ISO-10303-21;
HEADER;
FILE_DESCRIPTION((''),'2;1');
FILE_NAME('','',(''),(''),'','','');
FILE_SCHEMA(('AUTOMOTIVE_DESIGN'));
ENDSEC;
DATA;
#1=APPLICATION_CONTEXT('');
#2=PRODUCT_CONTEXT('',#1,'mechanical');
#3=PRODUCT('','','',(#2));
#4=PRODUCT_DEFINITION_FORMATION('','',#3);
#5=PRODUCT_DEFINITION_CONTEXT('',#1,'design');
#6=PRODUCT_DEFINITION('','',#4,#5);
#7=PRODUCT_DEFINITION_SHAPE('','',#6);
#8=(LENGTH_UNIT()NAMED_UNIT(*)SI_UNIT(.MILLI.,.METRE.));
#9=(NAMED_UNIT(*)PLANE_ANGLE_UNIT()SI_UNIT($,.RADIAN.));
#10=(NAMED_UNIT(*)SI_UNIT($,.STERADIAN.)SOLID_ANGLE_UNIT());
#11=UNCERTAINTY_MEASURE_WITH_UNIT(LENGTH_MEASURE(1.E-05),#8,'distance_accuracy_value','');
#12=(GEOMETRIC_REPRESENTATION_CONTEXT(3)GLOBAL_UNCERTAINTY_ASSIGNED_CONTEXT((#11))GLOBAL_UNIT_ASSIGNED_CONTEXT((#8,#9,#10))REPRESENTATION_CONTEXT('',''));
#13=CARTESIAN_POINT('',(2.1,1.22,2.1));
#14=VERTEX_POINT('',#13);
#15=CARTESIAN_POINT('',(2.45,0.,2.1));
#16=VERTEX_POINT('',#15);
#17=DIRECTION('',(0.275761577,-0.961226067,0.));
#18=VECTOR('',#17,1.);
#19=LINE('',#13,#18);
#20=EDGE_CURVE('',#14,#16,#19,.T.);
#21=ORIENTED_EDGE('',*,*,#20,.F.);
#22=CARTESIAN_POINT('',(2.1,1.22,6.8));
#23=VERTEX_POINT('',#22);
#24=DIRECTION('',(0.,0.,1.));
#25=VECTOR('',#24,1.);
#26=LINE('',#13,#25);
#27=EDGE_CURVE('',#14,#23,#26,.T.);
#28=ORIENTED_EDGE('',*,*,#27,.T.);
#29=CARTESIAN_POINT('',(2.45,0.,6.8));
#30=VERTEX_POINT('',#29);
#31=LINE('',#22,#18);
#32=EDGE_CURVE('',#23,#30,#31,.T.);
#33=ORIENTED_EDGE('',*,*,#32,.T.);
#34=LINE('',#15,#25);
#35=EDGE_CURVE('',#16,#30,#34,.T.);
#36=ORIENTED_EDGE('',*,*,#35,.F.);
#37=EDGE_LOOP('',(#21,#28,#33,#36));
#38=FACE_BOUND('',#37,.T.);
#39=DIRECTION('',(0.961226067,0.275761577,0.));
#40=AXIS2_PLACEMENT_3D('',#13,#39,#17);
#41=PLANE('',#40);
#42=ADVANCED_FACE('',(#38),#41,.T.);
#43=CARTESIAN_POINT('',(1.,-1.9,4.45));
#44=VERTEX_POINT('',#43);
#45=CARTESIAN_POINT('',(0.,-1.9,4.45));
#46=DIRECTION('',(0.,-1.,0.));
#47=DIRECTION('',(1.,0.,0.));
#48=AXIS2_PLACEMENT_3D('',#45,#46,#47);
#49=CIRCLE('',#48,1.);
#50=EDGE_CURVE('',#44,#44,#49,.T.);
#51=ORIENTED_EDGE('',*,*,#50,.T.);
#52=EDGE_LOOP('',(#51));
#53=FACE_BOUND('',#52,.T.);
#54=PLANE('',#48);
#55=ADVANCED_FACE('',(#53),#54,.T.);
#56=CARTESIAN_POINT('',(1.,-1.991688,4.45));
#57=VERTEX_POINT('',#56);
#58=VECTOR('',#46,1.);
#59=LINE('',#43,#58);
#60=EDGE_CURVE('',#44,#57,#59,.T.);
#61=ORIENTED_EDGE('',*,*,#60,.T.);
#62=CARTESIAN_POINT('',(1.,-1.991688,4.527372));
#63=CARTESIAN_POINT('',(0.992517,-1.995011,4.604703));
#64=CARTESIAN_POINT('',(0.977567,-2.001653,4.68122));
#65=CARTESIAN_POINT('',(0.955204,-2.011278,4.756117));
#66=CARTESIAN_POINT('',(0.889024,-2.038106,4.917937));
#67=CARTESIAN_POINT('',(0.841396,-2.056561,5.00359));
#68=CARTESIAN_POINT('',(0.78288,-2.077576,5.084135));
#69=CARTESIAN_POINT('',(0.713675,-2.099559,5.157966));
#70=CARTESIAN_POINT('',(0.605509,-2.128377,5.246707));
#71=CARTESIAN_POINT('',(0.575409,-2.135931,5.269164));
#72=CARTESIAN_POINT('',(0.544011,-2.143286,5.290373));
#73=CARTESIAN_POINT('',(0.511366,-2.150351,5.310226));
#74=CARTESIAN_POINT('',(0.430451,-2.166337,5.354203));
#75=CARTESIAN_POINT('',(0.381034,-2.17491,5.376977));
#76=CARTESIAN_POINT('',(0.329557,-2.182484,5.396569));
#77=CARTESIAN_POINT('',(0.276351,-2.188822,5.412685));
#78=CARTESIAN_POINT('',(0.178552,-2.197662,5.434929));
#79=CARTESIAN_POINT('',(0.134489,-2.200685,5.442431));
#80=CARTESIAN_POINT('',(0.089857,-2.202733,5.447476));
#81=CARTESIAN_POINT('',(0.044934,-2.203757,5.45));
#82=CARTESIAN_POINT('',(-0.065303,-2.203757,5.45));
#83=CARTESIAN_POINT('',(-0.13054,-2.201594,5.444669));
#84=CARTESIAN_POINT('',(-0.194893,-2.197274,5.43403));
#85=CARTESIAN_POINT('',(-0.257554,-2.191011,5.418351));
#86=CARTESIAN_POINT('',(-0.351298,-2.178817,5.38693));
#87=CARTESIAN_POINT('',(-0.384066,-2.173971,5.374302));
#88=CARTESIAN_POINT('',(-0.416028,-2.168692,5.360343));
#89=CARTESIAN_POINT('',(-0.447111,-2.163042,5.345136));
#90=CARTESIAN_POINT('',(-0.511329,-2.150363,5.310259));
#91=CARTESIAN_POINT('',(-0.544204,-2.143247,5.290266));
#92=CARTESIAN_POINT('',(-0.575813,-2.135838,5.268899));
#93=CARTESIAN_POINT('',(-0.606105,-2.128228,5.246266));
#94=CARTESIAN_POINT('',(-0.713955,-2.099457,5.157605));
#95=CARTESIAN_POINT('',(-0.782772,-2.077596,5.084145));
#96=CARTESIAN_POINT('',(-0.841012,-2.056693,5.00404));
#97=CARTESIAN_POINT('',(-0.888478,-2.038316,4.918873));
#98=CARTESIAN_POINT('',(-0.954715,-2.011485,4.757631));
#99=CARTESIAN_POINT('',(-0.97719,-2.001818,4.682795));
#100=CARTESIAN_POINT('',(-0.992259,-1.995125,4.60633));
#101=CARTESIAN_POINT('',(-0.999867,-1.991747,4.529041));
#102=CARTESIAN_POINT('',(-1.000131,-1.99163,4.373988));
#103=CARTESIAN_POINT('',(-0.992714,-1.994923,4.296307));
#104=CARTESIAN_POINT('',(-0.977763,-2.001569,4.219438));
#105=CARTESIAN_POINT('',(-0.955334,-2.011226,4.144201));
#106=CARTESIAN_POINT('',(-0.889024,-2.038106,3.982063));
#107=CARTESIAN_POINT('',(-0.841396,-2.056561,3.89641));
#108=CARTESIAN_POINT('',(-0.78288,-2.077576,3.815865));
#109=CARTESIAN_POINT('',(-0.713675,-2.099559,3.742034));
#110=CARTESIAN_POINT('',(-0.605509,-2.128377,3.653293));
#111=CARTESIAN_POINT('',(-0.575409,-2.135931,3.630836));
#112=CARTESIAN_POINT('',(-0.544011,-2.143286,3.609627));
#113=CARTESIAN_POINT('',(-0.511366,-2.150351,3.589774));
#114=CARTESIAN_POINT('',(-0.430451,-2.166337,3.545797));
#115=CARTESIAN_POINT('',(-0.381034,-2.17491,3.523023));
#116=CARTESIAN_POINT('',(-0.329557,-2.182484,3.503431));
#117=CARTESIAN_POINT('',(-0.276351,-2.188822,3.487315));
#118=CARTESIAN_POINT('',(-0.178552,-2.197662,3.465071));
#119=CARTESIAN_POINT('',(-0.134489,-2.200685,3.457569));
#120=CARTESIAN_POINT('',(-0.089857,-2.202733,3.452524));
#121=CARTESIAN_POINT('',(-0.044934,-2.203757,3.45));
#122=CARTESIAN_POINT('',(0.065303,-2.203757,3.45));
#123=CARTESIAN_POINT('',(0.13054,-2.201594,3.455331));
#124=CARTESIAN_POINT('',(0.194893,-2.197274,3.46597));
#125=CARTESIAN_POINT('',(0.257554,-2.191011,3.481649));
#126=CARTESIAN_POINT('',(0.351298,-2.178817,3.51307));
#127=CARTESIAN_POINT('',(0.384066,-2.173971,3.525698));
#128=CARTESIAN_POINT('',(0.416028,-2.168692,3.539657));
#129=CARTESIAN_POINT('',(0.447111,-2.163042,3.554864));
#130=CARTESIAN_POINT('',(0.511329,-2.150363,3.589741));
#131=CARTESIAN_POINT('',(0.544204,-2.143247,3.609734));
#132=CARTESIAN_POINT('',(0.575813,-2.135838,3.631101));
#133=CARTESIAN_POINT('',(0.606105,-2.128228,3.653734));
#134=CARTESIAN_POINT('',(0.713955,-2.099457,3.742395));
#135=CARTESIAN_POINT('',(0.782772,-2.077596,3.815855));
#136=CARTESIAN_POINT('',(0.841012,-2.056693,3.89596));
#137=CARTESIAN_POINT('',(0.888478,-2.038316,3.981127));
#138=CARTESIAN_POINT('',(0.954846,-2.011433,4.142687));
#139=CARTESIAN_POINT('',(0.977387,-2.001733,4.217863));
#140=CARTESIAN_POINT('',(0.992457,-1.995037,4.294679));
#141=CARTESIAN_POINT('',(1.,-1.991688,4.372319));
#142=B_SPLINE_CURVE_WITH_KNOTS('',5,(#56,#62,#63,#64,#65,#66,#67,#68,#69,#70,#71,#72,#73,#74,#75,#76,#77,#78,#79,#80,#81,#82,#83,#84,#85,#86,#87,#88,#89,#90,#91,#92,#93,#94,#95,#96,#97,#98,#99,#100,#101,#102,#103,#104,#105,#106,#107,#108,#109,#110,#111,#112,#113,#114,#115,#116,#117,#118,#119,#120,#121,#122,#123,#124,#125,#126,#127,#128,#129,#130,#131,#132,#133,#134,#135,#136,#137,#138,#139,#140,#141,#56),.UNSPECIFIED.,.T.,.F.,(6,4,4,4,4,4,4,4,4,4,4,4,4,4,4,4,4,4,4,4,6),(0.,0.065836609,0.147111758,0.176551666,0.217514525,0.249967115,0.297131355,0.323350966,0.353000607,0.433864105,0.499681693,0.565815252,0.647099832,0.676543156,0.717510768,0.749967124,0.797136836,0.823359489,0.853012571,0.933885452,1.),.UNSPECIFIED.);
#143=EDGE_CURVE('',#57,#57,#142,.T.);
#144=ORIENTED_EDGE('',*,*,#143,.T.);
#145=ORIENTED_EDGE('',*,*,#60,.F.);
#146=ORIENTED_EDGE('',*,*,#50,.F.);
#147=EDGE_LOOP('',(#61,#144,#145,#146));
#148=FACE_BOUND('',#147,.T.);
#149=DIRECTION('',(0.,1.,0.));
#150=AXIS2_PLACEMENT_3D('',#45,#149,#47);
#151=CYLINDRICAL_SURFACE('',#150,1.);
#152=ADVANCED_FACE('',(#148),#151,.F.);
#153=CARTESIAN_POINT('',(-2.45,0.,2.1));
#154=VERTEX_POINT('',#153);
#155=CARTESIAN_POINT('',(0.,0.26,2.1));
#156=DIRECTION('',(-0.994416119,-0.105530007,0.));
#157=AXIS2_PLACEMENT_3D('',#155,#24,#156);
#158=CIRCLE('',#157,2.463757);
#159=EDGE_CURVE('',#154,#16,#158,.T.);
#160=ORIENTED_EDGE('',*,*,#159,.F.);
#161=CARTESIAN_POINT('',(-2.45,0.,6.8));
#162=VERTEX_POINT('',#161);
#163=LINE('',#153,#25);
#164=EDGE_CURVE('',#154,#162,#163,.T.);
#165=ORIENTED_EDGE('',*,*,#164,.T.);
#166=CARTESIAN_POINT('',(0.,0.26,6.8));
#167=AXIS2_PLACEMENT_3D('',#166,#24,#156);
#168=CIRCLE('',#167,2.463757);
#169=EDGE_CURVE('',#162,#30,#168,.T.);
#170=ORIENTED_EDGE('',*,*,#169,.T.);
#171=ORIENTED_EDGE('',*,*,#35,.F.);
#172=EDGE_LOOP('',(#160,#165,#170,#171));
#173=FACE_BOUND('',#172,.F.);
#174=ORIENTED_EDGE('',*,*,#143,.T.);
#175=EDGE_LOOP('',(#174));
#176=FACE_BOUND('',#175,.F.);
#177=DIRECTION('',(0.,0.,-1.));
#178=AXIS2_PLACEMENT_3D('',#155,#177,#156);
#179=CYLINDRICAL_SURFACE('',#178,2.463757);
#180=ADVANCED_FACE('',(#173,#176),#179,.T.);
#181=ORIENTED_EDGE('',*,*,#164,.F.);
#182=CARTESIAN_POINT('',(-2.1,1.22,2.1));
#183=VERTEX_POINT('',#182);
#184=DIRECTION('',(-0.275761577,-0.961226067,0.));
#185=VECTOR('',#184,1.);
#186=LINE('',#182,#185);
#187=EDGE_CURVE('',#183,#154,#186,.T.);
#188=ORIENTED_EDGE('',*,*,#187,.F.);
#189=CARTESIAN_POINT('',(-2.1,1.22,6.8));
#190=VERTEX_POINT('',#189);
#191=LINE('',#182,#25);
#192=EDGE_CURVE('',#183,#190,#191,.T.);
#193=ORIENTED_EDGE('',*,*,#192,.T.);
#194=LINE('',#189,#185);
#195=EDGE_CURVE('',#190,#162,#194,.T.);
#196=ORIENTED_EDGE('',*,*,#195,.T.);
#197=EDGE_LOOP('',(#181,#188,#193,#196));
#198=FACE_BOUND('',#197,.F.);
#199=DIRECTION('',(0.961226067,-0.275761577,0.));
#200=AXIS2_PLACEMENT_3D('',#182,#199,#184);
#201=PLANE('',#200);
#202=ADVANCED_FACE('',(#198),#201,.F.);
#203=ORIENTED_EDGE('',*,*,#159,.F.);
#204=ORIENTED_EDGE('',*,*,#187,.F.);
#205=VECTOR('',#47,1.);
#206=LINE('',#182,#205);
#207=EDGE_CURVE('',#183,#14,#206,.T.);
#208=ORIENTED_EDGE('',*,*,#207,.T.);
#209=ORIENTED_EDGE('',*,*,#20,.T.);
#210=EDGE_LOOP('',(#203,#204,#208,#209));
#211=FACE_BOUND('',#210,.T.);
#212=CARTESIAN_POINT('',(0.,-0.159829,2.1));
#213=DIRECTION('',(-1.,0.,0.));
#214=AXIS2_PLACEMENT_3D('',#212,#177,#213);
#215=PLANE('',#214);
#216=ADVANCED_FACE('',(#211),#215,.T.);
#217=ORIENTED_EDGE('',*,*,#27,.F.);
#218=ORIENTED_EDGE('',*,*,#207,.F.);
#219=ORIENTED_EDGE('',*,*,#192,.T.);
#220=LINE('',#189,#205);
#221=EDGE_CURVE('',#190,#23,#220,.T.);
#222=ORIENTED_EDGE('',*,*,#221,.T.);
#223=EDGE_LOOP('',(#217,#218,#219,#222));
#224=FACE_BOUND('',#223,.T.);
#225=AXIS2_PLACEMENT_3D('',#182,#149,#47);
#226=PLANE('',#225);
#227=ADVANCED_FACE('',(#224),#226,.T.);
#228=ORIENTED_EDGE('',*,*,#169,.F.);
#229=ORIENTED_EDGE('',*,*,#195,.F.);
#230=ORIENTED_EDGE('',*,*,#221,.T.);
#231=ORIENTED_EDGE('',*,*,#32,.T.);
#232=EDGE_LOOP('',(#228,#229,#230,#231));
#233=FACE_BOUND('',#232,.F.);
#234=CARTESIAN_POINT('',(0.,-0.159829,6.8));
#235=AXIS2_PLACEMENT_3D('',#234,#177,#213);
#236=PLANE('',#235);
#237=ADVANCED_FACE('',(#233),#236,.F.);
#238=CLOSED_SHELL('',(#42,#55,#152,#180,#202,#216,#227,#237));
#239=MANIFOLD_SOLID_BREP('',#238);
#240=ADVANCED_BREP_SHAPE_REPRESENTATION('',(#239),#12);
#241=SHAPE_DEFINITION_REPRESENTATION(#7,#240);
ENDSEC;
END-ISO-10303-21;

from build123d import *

# Parameters (mm, degrees)
CYLINDER039_R     = 1
CYLINDER039_DEPTH = 1
EXTRUDE010_DEPTH  = 4.7


with BuildPart() as cylinder039:
    # Cylinder039 → Cylinder039 (new body)
    with BuildSketch(Plane(origin=(0, -1.9, 2.35), x_dir=(1, 0, 0), z_dir=(0, -1, 0))):
        Circle(CYLINDER039_R)
    extrude(amount=CYLINDER039_DEPTH)


with BuildPart() as vt1_body:
    # Sketch027 → Extrude010 (new body)
    with BuildSketch(Plane.XY):
        with BuildLine():
            Line((-2.1, 1.22), (2.1, 1.22))
            Line((2.1, 1.22), (2.45, 0))
            ThreePointArc((-2.45, 0), (0, -2.203757), (2.45, 0))
            Line((-2.1, 1.22), (-2.45, 0))
        make_face()
    extrude(amount=EXTRUDE010_DEPTH)

    # Cut007: cut Cylinder039
    add(cylinder039.part, mode=Mode.SUBTRACT)


with BuildPart() as vt1_body_1:
    # Cut007 placement: moved
    add(vt1_body.part.moved(Location((0, 0, 2.1))))


solid = vt1_body_1.part
